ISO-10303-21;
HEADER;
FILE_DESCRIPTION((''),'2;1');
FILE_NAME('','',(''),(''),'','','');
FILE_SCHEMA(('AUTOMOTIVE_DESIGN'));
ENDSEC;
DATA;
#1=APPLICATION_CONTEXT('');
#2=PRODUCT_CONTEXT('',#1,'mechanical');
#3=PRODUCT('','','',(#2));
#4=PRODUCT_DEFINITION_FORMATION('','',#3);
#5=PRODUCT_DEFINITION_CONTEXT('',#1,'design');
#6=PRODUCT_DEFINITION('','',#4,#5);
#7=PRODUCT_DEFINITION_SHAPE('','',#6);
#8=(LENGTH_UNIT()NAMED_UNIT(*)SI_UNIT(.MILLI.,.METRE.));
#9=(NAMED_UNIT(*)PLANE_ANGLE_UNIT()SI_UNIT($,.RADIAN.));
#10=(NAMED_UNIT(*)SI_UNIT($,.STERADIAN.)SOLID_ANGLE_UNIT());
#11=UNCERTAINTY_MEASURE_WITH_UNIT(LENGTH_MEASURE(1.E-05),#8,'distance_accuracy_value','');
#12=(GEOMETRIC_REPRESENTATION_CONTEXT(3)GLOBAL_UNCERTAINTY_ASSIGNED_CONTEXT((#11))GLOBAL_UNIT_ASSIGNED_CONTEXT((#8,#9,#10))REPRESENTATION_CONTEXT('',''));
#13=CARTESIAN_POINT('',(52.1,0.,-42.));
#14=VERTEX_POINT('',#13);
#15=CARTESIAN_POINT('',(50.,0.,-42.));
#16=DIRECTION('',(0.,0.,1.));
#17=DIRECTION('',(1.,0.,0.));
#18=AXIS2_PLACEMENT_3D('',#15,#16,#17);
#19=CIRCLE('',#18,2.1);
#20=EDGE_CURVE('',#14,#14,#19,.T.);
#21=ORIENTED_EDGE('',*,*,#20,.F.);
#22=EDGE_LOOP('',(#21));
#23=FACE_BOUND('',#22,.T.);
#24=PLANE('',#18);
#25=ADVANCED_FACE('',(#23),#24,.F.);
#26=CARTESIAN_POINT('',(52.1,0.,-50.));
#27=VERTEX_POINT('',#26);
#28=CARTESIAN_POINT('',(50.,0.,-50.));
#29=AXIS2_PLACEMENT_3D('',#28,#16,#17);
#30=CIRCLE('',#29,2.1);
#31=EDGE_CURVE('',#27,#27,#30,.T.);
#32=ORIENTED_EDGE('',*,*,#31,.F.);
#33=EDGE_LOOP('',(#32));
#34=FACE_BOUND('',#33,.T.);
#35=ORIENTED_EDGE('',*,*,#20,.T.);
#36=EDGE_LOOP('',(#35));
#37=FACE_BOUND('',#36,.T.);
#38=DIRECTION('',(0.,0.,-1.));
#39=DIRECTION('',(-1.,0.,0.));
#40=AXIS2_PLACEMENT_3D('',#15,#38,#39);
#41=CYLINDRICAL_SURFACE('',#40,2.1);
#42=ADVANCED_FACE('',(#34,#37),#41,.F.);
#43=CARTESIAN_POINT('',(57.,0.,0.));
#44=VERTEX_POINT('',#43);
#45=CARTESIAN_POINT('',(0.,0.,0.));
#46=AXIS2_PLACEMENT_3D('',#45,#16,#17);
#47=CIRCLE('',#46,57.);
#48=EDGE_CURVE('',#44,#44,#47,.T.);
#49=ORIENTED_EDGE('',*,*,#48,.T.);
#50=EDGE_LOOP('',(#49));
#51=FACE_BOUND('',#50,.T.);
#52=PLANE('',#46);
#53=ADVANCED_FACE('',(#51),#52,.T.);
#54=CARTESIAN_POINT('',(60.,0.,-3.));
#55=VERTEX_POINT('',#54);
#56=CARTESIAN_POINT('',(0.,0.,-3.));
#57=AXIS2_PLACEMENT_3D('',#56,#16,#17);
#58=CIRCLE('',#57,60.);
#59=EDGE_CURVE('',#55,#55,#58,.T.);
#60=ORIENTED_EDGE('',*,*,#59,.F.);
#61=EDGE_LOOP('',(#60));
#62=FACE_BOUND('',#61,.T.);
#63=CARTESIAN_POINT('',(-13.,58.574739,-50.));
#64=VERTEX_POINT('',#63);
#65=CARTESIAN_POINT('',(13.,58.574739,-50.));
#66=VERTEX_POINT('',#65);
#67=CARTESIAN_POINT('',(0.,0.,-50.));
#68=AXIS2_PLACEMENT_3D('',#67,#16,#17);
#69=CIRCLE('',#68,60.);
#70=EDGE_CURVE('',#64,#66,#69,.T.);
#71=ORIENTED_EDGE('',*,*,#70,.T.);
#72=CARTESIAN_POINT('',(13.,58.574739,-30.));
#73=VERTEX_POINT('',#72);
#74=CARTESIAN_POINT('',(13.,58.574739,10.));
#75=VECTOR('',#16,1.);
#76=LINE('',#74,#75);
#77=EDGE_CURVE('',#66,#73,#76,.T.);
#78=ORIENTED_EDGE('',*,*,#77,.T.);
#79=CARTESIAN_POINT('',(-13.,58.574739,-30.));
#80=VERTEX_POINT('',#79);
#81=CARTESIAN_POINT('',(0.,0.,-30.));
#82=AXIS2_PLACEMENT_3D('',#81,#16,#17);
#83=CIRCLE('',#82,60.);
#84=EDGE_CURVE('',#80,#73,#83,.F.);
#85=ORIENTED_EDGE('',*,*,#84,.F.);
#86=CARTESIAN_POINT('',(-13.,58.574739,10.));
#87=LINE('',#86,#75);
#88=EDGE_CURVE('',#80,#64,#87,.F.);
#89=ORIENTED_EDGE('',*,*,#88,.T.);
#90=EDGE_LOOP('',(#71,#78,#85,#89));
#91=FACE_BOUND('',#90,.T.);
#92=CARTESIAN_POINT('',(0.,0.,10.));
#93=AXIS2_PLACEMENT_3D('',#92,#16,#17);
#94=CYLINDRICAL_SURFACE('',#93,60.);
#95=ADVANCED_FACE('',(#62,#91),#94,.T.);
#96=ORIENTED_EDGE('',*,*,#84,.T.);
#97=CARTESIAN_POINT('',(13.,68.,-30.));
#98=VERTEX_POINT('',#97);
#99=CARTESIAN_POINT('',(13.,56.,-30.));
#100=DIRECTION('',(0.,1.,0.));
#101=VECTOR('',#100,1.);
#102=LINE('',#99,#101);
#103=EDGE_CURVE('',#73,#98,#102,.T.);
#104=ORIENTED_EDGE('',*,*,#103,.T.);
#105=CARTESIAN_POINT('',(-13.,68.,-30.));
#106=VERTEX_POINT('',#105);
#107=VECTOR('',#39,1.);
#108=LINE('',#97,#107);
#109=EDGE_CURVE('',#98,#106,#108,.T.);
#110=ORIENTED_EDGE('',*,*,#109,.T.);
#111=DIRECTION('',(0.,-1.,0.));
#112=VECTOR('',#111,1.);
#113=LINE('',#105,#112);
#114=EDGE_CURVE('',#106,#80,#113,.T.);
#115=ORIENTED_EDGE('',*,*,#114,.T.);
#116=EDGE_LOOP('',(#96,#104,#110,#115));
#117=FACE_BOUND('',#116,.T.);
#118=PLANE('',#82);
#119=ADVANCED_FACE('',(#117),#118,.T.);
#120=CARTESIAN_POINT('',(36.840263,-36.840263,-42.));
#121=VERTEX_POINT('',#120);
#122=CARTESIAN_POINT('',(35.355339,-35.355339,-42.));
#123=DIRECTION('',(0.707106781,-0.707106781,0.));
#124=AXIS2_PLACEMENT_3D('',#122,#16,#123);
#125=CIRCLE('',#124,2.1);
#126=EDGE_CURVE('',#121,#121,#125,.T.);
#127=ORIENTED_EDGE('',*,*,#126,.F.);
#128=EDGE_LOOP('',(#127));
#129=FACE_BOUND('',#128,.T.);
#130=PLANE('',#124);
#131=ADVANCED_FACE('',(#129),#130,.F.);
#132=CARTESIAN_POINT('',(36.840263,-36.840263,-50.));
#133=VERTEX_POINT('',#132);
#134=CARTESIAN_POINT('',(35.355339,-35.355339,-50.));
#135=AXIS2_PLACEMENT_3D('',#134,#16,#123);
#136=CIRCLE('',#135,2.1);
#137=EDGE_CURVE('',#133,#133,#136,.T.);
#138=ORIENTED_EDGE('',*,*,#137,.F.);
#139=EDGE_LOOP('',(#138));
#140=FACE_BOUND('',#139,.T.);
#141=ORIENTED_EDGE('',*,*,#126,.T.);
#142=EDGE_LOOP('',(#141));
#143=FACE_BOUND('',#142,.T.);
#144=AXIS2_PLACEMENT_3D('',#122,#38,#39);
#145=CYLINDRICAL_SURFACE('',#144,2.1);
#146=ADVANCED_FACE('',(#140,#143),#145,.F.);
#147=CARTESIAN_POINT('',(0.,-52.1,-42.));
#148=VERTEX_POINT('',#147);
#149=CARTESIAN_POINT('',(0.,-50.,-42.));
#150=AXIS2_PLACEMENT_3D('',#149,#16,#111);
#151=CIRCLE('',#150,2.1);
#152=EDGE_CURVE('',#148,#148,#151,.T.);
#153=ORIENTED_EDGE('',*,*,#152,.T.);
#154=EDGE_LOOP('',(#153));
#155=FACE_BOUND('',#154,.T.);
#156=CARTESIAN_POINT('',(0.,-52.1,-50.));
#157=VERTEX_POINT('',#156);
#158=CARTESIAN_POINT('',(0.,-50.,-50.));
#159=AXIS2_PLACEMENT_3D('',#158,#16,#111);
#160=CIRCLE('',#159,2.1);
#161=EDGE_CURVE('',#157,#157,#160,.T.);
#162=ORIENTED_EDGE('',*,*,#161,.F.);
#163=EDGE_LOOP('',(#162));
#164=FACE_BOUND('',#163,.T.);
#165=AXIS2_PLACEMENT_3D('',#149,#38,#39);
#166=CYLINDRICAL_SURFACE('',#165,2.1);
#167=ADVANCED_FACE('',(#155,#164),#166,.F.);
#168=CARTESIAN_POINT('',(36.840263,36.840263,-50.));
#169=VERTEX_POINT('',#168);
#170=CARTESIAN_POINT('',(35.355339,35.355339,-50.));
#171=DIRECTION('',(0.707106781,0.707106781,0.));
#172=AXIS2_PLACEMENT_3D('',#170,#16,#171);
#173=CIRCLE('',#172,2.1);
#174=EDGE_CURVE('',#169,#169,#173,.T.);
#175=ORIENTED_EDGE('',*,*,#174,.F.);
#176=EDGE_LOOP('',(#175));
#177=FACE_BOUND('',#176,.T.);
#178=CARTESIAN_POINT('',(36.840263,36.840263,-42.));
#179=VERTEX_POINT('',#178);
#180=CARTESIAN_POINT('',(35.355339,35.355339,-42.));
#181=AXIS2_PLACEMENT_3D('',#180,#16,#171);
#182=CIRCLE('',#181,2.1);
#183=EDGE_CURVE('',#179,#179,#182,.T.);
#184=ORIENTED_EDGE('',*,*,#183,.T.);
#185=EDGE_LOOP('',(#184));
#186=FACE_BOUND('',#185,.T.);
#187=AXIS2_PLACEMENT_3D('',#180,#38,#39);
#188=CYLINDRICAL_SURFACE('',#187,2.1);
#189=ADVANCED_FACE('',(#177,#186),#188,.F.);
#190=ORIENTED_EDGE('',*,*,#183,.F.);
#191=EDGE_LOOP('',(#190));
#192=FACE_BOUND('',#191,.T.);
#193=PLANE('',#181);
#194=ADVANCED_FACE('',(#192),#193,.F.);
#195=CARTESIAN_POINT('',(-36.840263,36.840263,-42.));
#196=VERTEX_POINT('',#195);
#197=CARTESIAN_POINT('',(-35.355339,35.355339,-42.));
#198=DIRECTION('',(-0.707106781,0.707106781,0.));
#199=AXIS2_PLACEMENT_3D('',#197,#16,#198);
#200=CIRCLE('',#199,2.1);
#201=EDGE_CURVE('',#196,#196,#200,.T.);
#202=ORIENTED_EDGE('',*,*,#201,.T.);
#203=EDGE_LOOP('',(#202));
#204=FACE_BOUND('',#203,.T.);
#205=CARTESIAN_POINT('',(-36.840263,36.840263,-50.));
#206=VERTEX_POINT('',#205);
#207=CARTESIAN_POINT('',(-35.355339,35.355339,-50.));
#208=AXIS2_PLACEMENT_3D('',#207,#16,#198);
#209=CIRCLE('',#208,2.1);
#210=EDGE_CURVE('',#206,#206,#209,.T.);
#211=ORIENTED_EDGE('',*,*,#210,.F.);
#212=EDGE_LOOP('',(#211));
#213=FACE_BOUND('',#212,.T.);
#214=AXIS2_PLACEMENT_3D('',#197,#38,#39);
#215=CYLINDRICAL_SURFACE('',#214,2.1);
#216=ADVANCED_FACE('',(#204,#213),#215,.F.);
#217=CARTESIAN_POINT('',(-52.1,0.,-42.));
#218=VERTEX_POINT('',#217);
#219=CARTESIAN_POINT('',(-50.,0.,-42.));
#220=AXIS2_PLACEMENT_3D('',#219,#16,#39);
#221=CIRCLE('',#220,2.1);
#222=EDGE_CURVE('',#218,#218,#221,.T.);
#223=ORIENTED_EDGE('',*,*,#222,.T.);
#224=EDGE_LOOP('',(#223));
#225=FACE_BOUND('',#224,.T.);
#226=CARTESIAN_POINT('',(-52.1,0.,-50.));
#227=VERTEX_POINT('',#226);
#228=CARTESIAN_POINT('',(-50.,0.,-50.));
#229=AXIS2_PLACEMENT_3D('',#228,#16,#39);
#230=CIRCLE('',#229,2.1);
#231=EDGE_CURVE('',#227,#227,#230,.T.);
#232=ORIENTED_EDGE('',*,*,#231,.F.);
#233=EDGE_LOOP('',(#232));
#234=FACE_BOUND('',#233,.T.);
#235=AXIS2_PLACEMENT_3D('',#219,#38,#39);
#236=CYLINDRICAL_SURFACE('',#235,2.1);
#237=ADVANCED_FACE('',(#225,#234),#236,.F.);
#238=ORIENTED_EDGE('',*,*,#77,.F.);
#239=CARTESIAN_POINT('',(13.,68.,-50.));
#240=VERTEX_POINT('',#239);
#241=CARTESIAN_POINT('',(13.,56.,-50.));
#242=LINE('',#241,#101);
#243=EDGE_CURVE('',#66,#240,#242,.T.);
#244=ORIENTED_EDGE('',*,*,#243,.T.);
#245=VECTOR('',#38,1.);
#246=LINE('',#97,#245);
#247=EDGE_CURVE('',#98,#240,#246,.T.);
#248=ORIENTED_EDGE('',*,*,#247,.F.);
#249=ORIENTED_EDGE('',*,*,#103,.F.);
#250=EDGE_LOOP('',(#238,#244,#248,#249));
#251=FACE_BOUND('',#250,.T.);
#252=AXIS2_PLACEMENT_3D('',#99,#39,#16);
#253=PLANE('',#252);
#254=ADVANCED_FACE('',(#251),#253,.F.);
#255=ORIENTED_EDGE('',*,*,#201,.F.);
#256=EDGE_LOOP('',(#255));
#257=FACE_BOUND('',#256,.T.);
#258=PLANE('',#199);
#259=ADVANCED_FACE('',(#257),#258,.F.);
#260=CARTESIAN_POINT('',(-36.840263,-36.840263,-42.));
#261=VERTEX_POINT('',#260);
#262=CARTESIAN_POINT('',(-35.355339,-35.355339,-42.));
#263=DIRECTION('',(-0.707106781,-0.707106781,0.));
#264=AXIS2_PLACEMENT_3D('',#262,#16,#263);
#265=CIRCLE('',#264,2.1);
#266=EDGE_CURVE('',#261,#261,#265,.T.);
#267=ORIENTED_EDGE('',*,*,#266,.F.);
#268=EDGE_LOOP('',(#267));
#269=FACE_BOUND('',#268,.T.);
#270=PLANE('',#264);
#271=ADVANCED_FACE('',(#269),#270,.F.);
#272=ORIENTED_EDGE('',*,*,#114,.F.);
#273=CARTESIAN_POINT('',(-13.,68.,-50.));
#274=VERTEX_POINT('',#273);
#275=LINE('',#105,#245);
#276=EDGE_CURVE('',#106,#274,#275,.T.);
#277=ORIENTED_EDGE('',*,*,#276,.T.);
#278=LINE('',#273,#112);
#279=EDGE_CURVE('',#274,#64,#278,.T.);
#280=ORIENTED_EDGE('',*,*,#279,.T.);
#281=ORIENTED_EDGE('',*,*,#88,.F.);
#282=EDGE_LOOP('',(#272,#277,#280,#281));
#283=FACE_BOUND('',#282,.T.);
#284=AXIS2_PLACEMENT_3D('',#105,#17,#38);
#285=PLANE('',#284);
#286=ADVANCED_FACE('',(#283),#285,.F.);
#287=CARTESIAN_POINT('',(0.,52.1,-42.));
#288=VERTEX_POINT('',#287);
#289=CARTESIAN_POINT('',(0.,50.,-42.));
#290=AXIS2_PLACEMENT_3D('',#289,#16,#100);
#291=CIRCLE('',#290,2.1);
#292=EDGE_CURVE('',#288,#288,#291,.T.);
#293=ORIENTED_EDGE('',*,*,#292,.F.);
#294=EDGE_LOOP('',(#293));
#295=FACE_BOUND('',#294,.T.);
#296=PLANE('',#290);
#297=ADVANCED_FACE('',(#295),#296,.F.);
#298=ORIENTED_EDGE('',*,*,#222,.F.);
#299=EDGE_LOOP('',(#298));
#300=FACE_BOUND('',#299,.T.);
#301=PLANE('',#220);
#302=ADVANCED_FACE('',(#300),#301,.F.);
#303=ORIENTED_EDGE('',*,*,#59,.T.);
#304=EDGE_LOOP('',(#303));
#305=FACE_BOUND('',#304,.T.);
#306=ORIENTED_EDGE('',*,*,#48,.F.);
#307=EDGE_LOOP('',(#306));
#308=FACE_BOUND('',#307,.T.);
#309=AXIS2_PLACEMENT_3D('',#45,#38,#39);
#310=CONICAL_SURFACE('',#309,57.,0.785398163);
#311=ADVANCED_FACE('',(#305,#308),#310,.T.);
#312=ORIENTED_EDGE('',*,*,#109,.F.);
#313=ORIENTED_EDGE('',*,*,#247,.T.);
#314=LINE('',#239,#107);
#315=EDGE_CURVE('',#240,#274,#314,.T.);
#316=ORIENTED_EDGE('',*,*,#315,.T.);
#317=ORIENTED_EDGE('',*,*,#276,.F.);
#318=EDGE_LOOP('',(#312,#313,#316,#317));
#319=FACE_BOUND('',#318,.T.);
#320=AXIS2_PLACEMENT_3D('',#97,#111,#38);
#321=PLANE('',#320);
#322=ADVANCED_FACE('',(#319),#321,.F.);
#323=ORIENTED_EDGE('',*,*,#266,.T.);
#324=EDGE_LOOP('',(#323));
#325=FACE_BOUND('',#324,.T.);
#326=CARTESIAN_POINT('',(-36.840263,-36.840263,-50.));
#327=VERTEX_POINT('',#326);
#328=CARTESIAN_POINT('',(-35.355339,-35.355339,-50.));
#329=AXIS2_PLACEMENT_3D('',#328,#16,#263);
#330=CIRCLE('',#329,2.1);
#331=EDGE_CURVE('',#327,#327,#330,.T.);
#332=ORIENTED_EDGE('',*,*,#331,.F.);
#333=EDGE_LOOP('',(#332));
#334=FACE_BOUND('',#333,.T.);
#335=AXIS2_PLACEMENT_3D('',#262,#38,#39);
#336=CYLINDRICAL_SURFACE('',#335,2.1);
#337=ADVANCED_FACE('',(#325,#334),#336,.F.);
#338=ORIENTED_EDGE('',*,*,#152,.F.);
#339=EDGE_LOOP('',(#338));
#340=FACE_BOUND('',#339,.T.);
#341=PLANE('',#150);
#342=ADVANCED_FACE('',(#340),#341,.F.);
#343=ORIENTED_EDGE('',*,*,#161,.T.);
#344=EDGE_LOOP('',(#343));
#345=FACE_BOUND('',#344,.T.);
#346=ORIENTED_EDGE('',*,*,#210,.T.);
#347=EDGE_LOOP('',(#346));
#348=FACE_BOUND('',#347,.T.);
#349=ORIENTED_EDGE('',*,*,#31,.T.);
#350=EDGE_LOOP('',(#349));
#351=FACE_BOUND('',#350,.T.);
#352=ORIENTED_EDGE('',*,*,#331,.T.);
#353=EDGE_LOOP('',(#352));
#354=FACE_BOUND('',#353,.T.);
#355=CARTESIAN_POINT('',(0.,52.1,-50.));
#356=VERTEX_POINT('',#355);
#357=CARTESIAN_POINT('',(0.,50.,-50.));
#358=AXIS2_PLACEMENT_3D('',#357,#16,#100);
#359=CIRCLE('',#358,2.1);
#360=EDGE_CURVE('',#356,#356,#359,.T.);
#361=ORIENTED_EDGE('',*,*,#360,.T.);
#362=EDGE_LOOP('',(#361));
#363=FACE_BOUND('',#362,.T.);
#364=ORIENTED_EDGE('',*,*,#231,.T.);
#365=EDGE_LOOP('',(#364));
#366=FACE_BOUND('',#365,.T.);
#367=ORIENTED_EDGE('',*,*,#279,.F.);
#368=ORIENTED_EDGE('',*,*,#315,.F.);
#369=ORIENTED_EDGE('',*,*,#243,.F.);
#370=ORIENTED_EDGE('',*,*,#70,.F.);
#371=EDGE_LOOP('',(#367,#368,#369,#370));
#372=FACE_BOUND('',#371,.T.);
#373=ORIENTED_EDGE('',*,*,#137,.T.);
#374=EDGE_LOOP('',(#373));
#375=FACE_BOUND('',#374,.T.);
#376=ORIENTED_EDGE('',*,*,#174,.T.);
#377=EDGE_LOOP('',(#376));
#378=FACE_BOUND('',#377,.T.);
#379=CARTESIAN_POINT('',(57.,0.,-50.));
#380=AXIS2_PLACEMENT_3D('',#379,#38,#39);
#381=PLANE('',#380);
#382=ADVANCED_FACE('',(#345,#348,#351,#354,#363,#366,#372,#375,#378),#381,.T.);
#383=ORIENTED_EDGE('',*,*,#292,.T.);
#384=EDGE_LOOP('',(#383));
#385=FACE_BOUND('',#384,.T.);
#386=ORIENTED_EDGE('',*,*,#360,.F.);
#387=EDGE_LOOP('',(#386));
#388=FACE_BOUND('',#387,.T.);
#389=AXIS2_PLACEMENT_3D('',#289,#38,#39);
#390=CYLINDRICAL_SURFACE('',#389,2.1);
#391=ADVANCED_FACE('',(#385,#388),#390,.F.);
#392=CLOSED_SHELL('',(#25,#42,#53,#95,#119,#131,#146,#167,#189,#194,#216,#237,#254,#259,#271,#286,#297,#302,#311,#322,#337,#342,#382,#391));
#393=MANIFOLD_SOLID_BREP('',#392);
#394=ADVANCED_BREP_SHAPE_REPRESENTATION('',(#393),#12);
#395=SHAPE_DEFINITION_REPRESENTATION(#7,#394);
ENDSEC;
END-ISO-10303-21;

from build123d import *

# Parameters (mm, degrees)
SK_REARHOLE_R           = 2.1
REAR_TAPPED_HOLE_DEPTH  = 8
REAR_HOLE_PATTERN_COUNT = 8
SK_CONNECTOR_W          = 26
SK_CONNECTOR_H          = 12
CONNECTOR_ZONE_DEPTH    = 20


with BuildPart() as part:
    # SK_Body → Housing_Body (revolve)
    with BuildSketch(Plane(origin=(0, 0, 0), x_dir=(1, 0, 0), z_dir=(0, 1, 0))):
        Polygon((0, 0), (57, 0), (60, 3), (60, 50), (57, 50), (0, 50), align=None)
    revolve(axis=Axis((0, 0, 10), (0, 0, -1)))

    # SK_RearHole → Rear_Tapped_Hole (cut)
    with BuildSketch(Plane.XY.offset(-50)):
        with Locations((50, 0)):
            Circle(SK_REARHOLE_R)
    rear_tapped_hole = extrude(amount=REAR_TAPPED_HOLE_DEPTH, mode=Mode.SUBTRACT)

    # Rear_Hole_Pattern: Rear_Tapped_Hole ×8 about axis
    rear_hole_pattern_axis = Axis((0, 0, -52.5), (0, 0, 1))
    for i in range(1, REAR_HOLE_PATTERN_COUNT):
        add(rear_tapped_hole.rotate(rear_hole_pattern_axis, i * 360 / REAR_HOLE_PATTERN_COUNT), mode=Mode.SUBTRACT)

    # SK_Connector → Connector_Zone (add)
    with BuildSketch(Plane.XY.offset(-50)):
        with Locations((0, 62)):
            Rectangle(SK_CONNECTOR_W, SK_CONNECTOR_H)
    extrude(amount=CONNECTOR_ZONE_DEPTH)


solid = part.part
